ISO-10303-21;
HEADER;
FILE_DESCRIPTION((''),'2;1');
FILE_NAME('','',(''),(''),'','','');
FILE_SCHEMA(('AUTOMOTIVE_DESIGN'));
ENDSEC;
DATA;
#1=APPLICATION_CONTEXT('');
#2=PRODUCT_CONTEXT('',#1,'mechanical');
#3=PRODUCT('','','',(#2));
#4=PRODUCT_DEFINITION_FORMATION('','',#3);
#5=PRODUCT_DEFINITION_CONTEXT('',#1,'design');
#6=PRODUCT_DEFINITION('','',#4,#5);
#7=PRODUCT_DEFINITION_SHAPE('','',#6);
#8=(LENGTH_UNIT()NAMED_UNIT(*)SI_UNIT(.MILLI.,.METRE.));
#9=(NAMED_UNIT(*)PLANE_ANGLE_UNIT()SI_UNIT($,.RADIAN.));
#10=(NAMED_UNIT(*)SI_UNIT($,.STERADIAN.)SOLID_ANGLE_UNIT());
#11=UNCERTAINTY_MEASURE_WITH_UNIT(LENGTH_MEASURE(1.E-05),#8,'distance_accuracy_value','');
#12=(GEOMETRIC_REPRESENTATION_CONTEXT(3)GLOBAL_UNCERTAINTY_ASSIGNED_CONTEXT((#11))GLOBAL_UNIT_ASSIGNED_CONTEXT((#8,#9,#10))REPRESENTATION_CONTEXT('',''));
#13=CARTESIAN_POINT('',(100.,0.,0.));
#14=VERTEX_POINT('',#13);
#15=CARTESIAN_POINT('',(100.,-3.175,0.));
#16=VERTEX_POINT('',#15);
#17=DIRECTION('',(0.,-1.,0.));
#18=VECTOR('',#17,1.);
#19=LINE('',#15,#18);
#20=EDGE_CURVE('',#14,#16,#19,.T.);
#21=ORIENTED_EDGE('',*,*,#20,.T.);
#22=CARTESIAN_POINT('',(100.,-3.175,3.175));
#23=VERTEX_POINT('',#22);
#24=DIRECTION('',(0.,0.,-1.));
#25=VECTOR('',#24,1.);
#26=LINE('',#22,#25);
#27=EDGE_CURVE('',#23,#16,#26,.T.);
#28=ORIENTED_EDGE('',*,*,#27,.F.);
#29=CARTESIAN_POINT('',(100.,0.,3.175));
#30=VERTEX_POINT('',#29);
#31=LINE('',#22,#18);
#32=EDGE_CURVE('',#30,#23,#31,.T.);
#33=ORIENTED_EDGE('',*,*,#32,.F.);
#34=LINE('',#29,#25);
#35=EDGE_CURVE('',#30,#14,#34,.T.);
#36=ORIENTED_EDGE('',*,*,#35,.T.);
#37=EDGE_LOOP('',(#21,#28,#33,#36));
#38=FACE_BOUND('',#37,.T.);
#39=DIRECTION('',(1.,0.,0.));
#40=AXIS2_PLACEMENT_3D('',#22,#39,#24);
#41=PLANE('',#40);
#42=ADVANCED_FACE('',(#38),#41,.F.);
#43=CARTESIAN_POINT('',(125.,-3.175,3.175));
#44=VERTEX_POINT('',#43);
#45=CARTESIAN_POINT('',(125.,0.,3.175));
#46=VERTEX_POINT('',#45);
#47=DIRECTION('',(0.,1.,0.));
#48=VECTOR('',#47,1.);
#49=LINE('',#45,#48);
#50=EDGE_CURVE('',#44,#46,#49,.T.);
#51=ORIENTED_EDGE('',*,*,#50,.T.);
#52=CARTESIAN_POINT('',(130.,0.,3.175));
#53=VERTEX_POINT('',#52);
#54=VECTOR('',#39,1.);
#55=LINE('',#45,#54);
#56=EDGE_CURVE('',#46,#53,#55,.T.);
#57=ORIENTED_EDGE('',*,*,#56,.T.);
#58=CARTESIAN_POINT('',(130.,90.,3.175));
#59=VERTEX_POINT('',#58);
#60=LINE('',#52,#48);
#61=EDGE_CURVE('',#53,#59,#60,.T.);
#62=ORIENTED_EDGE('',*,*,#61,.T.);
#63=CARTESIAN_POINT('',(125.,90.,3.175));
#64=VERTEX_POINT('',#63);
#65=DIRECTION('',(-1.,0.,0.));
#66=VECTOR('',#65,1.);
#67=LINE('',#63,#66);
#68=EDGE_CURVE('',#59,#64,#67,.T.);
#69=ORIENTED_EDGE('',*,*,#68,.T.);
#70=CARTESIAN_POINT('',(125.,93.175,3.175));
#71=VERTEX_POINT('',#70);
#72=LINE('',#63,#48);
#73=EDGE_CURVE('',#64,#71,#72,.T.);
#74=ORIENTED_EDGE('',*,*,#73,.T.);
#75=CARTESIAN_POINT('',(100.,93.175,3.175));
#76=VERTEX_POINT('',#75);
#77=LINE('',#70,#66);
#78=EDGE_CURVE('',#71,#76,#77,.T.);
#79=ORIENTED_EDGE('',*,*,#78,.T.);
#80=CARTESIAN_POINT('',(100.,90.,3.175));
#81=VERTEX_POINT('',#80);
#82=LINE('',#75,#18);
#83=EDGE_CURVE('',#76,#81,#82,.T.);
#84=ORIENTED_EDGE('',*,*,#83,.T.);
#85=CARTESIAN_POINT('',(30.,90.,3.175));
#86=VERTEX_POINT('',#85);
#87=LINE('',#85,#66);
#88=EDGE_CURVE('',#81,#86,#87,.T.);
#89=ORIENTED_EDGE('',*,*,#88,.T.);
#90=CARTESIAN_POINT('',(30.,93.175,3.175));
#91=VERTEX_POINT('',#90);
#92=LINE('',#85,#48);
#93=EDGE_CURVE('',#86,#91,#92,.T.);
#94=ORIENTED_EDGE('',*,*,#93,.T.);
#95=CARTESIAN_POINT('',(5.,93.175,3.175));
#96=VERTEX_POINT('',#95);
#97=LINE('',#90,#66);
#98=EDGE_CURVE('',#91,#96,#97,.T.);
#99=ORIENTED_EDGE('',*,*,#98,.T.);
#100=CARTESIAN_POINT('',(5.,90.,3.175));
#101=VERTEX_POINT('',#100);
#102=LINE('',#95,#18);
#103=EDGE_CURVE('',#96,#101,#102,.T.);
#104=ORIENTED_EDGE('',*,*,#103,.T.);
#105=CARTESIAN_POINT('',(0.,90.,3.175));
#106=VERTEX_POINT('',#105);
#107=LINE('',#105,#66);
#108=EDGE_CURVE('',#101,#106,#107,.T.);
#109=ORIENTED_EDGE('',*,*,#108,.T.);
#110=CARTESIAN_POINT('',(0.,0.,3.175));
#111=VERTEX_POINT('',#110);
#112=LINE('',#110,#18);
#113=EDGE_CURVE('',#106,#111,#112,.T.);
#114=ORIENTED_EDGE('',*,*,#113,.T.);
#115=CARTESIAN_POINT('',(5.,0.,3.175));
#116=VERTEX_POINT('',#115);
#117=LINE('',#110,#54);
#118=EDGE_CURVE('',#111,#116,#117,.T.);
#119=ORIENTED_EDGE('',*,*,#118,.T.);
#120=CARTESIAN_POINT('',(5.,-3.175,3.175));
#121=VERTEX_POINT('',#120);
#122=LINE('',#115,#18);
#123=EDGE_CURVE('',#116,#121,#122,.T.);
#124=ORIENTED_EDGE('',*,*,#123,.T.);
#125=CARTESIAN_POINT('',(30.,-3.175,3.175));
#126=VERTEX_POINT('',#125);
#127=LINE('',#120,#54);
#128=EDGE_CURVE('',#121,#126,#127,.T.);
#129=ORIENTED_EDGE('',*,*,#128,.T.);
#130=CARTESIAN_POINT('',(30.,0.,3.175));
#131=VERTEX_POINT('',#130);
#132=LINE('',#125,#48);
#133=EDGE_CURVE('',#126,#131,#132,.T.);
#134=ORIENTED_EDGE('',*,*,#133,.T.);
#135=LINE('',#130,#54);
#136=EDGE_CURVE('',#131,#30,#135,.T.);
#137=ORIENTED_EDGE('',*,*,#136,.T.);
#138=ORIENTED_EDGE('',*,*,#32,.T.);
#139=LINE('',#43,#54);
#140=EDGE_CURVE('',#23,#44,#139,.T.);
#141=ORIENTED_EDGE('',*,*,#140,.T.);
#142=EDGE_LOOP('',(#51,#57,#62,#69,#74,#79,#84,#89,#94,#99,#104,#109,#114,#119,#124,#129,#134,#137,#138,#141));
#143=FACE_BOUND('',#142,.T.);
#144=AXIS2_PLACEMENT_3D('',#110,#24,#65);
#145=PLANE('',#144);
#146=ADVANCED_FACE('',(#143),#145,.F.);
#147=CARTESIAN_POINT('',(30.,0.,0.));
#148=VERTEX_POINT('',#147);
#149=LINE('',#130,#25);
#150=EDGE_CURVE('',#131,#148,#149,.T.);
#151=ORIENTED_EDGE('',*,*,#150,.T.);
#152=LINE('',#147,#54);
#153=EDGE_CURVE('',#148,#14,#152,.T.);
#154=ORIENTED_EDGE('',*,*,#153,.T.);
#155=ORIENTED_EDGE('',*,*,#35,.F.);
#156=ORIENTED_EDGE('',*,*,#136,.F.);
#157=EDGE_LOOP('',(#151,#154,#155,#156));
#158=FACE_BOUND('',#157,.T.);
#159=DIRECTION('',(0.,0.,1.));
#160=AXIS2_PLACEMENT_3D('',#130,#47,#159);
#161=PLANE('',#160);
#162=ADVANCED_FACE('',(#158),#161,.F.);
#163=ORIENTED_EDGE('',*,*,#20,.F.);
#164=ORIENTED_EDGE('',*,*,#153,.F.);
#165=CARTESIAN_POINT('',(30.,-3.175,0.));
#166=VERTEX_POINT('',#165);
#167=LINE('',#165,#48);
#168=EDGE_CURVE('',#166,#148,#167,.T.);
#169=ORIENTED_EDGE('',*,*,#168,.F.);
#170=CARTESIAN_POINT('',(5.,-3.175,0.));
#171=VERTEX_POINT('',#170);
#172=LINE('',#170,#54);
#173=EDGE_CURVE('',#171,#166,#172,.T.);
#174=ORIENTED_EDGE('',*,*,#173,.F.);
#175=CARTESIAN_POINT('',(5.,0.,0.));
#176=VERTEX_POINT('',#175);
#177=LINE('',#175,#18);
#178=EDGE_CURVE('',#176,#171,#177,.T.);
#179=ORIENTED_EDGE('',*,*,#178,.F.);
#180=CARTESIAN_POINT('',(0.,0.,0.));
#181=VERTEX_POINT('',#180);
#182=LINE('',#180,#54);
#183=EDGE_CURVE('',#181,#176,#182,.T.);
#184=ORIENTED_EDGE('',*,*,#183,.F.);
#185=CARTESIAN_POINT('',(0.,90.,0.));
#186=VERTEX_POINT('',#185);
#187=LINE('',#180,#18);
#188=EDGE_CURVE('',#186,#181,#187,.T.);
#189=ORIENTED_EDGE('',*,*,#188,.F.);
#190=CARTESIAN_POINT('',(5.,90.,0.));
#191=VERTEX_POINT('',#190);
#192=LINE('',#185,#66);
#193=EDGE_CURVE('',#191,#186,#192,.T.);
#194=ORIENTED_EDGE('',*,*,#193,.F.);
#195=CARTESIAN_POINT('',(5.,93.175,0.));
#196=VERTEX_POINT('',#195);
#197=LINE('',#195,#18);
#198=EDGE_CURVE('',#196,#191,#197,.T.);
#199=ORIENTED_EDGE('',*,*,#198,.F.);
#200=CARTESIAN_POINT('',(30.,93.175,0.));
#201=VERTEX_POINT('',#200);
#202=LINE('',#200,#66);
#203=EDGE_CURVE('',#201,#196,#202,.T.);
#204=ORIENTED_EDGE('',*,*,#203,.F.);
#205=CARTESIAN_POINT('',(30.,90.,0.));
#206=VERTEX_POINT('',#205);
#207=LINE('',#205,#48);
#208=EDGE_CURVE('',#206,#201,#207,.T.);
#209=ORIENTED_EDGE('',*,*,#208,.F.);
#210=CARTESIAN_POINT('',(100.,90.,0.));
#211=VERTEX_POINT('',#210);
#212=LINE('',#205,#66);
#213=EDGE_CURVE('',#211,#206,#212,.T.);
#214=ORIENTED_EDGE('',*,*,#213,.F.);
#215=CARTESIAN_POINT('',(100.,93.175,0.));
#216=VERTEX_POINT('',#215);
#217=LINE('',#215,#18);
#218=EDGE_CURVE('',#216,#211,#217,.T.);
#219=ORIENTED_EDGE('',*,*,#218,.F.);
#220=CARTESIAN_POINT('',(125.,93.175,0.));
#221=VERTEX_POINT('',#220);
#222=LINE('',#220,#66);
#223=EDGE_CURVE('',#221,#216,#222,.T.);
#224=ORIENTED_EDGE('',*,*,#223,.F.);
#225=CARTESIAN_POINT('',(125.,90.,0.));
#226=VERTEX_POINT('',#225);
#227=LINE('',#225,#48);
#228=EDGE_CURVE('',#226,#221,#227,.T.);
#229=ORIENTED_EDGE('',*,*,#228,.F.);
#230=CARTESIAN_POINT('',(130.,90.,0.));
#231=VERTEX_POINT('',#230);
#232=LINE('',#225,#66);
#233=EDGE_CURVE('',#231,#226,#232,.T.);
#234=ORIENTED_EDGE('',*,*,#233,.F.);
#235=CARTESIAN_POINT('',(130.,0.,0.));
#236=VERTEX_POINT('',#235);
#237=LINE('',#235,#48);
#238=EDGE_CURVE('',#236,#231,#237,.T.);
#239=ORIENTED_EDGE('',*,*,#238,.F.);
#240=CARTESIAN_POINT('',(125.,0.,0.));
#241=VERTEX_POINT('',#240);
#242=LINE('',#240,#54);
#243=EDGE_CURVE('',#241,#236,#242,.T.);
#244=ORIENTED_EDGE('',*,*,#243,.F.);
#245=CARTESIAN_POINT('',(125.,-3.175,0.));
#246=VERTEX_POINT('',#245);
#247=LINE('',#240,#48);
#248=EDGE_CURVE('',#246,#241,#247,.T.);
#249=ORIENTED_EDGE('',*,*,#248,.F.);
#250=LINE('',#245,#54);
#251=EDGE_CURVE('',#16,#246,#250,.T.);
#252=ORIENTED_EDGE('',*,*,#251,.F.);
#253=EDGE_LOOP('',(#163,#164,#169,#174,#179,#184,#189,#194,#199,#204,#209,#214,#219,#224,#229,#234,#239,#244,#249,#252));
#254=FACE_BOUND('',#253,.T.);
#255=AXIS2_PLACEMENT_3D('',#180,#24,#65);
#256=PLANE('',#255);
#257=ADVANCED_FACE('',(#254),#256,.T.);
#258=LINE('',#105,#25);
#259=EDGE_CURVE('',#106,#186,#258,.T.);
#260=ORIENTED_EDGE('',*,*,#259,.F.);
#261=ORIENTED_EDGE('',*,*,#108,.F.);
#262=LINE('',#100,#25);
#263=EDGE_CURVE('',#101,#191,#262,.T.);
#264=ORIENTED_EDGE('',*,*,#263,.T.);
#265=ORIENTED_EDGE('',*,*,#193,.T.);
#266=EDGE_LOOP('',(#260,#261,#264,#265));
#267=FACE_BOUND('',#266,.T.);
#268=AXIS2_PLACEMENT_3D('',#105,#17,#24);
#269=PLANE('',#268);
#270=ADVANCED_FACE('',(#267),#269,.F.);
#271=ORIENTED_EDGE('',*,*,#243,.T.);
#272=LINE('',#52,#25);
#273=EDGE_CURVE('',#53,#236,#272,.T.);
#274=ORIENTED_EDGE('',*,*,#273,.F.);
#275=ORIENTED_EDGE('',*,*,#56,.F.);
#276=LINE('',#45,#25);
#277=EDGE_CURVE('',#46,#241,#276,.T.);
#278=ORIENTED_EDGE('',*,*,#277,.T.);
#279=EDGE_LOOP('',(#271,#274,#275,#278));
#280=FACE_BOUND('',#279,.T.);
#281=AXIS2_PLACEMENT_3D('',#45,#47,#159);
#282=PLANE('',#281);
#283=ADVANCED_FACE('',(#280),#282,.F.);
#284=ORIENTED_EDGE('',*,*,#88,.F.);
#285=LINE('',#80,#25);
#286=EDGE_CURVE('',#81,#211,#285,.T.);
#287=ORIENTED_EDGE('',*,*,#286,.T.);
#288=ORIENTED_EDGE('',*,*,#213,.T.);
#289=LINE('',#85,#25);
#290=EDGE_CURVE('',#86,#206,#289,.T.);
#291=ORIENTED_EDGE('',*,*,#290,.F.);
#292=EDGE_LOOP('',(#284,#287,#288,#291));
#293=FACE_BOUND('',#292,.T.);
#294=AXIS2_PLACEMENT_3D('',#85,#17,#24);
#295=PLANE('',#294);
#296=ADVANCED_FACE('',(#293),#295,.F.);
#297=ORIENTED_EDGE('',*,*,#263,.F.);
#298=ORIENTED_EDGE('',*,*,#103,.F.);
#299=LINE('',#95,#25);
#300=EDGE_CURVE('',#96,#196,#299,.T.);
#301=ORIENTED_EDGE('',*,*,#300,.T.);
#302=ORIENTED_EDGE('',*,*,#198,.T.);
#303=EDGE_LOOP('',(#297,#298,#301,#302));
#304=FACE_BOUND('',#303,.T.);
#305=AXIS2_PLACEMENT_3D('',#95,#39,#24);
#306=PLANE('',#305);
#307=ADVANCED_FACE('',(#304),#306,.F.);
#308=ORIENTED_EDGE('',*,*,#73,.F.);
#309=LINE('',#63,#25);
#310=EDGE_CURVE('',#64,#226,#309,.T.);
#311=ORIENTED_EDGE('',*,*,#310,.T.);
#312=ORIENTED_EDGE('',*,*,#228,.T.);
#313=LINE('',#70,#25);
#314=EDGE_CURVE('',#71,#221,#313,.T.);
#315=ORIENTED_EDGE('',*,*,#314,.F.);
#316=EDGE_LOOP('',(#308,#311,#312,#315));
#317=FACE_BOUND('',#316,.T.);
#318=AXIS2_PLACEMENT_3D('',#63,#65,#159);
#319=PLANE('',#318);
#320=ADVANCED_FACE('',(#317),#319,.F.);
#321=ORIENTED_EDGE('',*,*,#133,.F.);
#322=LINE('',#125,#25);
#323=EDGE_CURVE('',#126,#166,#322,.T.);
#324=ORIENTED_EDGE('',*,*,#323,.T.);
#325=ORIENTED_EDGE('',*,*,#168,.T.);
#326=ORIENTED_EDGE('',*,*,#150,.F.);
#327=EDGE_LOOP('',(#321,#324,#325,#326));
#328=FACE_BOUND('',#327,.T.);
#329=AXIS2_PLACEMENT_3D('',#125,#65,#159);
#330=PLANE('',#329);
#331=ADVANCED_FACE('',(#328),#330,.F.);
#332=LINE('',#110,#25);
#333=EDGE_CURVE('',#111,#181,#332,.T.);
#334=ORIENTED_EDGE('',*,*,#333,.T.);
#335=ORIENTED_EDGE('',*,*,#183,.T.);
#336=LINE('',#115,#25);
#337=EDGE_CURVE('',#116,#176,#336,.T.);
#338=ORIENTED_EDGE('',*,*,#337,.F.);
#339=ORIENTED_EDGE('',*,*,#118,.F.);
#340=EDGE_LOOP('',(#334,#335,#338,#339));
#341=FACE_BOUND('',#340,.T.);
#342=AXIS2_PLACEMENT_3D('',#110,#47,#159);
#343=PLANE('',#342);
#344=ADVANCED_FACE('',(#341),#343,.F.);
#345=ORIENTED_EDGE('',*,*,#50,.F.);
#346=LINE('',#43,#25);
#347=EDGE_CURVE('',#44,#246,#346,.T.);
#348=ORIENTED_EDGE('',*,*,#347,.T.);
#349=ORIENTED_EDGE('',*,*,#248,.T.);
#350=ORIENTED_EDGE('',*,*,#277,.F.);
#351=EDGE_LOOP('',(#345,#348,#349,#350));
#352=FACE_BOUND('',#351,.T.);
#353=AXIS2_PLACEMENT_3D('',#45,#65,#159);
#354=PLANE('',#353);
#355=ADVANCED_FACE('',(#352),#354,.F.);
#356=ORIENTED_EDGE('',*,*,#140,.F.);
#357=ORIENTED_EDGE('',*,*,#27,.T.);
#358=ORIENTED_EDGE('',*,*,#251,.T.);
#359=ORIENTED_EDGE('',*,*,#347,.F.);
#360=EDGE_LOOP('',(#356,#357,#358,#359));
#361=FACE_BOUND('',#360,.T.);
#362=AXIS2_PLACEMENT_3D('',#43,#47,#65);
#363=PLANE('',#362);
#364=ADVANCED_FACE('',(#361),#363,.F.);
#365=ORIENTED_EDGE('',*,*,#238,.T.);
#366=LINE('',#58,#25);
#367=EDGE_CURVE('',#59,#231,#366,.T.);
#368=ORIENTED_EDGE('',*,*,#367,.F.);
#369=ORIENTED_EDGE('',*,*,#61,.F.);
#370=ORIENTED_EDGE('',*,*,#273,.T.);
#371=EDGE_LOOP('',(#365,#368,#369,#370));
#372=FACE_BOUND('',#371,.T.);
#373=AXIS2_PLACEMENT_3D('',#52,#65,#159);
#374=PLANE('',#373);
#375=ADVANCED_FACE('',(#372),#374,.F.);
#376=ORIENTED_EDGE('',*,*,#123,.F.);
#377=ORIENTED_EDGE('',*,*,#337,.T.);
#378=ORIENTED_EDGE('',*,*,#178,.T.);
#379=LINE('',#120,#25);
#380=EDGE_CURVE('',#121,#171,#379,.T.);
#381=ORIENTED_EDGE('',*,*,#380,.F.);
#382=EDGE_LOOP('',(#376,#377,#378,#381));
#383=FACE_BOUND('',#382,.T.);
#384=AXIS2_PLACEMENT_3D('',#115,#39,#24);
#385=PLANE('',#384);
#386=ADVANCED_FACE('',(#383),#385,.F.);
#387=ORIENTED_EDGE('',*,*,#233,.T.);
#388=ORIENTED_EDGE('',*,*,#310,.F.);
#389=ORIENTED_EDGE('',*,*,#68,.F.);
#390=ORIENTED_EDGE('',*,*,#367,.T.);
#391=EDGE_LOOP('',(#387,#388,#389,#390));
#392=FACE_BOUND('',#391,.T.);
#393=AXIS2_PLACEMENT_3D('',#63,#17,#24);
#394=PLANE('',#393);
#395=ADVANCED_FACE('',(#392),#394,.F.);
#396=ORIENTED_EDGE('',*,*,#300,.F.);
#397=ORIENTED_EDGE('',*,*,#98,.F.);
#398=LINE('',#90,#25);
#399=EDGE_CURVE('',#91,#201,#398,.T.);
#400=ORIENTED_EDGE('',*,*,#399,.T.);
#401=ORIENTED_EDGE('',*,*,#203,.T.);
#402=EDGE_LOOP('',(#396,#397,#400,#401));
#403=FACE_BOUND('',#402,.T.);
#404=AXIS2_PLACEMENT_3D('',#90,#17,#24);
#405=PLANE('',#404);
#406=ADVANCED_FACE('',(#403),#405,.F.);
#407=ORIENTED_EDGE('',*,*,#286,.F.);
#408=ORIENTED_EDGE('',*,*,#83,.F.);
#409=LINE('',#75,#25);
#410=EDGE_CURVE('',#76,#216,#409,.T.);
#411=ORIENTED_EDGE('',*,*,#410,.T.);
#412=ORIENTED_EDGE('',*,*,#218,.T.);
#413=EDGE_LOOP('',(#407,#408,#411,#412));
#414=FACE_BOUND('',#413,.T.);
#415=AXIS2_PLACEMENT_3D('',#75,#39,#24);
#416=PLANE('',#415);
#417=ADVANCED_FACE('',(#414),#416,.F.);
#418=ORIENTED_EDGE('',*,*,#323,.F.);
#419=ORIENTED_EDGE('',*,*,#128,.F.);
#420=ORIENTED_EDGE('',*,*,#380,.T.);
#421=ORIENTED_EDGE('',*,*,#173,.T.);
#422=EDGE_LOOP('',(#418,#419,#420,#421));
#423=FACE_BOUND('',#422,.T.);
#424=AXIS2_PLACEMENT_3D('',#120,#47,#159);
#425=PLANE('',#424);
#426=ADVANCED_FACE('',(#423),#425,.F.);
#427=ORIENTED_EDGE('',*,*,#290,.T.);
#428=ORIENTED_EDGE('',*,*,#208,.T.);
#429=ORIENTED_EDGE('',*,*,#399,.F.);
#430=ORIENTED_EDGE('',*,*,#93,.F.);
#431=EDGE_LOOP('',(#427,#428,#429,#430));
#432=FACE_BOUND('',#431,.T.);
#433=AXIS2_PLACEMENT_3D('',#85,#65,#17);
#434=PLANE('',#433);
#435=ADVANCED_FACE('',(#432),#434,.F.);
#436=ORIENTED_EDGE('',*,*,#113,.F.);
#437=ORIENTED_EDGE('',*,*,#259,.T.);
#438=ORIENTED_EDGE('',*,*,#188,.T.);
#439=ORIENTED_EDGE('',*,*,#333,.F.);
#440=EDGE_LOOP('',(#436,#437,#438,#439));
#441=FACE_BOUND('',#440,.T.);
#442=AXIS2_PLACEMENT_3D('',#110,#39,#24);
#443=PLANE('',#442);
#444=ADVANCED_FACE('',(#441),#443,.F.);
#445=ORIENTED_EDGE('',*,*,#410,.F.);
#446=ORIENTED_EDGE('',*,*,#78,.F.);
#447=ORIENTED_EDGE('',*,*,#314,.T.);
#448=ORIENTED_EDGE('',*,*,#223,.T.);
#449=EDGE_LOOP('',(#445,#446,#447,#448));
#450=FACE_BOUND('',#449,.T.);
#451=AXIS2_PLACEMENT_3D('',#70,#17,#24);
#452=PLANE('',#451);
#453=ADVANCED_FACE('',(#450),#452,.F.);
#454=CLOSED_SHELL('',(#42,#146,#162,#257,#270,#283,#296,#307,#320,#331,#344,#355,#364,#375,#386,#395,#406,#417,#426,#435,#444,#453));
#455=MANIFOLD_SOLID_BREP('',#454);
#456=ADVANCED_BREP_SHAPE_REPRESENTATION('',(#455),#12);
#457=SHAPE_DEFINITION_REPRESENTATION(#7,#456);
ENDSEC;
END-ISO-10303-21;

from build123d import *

# Parameters (mm, degrees)
BOSS_EXTRUDE1_DEPTH = 3.175


with BuildPart() as part:
    # Sketch1 → Boss-Extrude1 (new body)
    with BuildSketch(Plane.XY):
        Polygon((5, 0), (5, -3.175), (30, -3.175), (30, 0), (100, 0), (100, -3.175), (125, -3.175), (125, 0), (130, 0), (130, 90), (125, 90), (125, 93.175), (100, 93.175), (100, 90), (30, 90), (30, 93.175), (5, 93.175), (5, 90), (0, 90), (0, 0), align=None)
    extrude(amount=BOSS_EXTRUDE1_DEPTH)


solid = part.part
